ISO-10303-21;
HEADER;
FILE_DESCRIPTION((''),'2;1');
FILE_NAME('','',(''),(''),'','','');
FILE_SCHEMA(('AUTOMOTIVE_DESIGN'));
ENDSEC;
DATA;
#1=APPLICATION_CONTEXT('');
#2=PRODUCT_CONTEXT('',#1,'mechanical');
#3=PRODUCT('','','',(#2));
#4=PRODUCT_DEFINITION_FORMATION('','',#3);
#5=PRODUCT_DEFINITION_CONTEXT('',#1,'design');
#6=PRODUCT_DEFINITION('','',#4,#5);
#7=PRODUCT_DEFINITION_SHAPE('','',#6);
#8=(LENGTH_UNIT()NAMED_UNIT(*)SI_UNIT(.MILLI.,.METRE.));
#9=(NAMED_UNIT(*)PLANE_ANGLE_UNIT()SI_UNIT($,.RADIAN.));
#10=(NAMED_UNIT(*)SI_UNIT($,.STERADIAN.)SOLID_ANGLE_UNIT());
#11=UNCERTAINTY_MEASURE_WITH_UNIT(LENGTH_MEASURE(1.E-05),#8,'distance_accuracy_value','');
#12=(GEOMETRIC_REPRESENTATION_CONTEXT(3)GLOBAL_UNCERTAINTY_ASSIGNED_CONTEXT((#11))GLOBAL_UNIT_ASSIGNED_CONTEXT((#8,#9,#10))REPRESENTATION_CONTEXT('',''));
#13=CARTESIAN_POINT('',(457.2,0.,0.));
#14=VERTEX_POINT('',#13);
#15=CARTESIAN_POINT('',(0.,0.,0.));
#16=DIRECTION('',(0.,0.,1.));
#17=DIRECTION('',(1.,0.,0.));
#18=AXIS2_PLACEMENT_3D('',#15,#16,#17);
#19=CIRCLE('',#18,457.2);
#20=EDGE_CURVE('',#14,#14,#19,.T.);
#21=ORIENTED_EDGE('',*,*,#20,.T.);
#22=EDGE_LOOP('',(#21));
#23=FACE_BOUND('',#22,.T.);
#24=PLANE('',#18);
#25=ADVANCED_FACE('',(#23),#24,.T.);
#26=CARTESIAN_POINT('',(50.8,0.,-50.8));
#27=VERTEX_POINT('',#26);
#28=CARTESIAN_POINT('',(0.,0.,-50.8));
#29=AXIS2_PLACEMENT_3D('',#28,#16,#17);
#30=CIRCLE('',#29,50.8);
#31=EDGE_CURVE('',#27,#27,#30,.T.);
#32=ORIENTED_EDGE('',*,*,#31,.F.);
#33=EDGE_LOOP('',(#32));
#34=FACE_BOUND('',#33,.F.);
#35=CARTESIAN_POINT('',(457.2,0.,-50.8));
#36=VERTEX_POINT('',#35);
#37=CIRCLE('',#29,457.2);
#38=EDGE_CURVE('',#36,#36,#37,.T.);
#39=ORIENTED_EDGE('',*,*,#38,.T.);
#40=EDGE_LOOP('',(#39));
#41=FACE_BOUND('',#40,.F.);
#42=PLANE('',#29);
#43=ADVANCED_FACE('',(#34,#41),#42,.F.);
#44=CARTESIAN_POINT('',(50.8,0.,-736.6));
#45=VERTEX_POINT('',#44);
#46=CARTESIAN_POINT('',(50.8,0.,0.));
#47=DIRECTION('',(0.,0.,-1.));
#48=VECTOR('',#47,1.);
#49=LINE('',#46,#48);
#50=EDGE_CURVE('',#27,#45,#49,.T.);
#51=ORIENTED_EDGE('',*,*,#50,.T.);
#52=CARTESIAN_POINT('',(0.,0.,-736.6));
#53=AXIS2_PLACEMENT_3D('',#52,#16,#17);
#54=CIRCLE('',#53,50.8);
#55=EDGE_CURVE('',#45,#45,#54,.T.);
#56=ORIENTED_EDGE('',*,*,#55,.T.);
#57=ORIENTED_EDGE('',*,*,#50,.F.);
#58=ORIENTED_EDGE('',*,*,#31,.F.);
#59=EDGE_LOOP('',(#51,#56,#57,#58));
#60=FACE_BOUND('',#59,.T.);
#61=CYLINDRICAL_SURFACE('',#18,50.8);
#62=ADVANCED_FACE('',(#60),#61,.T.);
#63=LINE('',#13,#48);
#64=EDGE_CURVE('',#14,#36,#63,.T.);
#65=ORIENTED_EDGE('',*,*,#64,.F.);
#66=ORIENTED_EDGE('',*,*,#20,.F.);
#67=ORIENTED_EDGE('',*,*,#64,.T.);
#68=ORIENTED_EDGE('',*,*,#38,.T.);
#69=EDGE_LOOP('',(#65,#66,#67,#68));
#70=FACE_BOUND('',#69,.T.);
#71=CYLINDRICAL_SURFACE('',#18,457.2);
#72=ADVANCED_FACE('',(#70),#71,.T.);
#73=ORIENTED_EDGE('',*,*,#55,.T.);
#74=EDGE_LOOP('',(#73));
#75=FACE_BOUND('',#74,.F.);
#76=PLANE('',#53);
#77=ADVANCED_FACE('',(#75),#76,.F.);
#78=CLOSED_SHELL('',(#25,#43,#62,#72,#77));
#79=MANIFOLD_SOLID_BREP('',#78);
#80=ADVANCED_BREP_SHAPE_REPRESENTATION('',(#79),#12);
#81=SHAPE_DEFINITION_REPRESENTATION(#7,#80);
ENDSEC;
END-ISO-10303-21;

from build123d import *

# Parameters (mm, degrees)
F0_R     = 457.2
F1_DEPTH = 50.8
F2_R     = 50.8
F3_DEPTH = 736.6


with BuildPart() as f1:
    # F0 (on Top) → F1 (new body)
    with BuildSketch(Plane.XY):
        Circle(F0_R)
    extrude(amount=-F1_DEPTH)

    # F2 (on face) → F3 (join)
    with BuildSketch(Plane.XY):
        Circle(F2_R)
    extrude(amount=-F3_DEPTH)


solid = f1.part
